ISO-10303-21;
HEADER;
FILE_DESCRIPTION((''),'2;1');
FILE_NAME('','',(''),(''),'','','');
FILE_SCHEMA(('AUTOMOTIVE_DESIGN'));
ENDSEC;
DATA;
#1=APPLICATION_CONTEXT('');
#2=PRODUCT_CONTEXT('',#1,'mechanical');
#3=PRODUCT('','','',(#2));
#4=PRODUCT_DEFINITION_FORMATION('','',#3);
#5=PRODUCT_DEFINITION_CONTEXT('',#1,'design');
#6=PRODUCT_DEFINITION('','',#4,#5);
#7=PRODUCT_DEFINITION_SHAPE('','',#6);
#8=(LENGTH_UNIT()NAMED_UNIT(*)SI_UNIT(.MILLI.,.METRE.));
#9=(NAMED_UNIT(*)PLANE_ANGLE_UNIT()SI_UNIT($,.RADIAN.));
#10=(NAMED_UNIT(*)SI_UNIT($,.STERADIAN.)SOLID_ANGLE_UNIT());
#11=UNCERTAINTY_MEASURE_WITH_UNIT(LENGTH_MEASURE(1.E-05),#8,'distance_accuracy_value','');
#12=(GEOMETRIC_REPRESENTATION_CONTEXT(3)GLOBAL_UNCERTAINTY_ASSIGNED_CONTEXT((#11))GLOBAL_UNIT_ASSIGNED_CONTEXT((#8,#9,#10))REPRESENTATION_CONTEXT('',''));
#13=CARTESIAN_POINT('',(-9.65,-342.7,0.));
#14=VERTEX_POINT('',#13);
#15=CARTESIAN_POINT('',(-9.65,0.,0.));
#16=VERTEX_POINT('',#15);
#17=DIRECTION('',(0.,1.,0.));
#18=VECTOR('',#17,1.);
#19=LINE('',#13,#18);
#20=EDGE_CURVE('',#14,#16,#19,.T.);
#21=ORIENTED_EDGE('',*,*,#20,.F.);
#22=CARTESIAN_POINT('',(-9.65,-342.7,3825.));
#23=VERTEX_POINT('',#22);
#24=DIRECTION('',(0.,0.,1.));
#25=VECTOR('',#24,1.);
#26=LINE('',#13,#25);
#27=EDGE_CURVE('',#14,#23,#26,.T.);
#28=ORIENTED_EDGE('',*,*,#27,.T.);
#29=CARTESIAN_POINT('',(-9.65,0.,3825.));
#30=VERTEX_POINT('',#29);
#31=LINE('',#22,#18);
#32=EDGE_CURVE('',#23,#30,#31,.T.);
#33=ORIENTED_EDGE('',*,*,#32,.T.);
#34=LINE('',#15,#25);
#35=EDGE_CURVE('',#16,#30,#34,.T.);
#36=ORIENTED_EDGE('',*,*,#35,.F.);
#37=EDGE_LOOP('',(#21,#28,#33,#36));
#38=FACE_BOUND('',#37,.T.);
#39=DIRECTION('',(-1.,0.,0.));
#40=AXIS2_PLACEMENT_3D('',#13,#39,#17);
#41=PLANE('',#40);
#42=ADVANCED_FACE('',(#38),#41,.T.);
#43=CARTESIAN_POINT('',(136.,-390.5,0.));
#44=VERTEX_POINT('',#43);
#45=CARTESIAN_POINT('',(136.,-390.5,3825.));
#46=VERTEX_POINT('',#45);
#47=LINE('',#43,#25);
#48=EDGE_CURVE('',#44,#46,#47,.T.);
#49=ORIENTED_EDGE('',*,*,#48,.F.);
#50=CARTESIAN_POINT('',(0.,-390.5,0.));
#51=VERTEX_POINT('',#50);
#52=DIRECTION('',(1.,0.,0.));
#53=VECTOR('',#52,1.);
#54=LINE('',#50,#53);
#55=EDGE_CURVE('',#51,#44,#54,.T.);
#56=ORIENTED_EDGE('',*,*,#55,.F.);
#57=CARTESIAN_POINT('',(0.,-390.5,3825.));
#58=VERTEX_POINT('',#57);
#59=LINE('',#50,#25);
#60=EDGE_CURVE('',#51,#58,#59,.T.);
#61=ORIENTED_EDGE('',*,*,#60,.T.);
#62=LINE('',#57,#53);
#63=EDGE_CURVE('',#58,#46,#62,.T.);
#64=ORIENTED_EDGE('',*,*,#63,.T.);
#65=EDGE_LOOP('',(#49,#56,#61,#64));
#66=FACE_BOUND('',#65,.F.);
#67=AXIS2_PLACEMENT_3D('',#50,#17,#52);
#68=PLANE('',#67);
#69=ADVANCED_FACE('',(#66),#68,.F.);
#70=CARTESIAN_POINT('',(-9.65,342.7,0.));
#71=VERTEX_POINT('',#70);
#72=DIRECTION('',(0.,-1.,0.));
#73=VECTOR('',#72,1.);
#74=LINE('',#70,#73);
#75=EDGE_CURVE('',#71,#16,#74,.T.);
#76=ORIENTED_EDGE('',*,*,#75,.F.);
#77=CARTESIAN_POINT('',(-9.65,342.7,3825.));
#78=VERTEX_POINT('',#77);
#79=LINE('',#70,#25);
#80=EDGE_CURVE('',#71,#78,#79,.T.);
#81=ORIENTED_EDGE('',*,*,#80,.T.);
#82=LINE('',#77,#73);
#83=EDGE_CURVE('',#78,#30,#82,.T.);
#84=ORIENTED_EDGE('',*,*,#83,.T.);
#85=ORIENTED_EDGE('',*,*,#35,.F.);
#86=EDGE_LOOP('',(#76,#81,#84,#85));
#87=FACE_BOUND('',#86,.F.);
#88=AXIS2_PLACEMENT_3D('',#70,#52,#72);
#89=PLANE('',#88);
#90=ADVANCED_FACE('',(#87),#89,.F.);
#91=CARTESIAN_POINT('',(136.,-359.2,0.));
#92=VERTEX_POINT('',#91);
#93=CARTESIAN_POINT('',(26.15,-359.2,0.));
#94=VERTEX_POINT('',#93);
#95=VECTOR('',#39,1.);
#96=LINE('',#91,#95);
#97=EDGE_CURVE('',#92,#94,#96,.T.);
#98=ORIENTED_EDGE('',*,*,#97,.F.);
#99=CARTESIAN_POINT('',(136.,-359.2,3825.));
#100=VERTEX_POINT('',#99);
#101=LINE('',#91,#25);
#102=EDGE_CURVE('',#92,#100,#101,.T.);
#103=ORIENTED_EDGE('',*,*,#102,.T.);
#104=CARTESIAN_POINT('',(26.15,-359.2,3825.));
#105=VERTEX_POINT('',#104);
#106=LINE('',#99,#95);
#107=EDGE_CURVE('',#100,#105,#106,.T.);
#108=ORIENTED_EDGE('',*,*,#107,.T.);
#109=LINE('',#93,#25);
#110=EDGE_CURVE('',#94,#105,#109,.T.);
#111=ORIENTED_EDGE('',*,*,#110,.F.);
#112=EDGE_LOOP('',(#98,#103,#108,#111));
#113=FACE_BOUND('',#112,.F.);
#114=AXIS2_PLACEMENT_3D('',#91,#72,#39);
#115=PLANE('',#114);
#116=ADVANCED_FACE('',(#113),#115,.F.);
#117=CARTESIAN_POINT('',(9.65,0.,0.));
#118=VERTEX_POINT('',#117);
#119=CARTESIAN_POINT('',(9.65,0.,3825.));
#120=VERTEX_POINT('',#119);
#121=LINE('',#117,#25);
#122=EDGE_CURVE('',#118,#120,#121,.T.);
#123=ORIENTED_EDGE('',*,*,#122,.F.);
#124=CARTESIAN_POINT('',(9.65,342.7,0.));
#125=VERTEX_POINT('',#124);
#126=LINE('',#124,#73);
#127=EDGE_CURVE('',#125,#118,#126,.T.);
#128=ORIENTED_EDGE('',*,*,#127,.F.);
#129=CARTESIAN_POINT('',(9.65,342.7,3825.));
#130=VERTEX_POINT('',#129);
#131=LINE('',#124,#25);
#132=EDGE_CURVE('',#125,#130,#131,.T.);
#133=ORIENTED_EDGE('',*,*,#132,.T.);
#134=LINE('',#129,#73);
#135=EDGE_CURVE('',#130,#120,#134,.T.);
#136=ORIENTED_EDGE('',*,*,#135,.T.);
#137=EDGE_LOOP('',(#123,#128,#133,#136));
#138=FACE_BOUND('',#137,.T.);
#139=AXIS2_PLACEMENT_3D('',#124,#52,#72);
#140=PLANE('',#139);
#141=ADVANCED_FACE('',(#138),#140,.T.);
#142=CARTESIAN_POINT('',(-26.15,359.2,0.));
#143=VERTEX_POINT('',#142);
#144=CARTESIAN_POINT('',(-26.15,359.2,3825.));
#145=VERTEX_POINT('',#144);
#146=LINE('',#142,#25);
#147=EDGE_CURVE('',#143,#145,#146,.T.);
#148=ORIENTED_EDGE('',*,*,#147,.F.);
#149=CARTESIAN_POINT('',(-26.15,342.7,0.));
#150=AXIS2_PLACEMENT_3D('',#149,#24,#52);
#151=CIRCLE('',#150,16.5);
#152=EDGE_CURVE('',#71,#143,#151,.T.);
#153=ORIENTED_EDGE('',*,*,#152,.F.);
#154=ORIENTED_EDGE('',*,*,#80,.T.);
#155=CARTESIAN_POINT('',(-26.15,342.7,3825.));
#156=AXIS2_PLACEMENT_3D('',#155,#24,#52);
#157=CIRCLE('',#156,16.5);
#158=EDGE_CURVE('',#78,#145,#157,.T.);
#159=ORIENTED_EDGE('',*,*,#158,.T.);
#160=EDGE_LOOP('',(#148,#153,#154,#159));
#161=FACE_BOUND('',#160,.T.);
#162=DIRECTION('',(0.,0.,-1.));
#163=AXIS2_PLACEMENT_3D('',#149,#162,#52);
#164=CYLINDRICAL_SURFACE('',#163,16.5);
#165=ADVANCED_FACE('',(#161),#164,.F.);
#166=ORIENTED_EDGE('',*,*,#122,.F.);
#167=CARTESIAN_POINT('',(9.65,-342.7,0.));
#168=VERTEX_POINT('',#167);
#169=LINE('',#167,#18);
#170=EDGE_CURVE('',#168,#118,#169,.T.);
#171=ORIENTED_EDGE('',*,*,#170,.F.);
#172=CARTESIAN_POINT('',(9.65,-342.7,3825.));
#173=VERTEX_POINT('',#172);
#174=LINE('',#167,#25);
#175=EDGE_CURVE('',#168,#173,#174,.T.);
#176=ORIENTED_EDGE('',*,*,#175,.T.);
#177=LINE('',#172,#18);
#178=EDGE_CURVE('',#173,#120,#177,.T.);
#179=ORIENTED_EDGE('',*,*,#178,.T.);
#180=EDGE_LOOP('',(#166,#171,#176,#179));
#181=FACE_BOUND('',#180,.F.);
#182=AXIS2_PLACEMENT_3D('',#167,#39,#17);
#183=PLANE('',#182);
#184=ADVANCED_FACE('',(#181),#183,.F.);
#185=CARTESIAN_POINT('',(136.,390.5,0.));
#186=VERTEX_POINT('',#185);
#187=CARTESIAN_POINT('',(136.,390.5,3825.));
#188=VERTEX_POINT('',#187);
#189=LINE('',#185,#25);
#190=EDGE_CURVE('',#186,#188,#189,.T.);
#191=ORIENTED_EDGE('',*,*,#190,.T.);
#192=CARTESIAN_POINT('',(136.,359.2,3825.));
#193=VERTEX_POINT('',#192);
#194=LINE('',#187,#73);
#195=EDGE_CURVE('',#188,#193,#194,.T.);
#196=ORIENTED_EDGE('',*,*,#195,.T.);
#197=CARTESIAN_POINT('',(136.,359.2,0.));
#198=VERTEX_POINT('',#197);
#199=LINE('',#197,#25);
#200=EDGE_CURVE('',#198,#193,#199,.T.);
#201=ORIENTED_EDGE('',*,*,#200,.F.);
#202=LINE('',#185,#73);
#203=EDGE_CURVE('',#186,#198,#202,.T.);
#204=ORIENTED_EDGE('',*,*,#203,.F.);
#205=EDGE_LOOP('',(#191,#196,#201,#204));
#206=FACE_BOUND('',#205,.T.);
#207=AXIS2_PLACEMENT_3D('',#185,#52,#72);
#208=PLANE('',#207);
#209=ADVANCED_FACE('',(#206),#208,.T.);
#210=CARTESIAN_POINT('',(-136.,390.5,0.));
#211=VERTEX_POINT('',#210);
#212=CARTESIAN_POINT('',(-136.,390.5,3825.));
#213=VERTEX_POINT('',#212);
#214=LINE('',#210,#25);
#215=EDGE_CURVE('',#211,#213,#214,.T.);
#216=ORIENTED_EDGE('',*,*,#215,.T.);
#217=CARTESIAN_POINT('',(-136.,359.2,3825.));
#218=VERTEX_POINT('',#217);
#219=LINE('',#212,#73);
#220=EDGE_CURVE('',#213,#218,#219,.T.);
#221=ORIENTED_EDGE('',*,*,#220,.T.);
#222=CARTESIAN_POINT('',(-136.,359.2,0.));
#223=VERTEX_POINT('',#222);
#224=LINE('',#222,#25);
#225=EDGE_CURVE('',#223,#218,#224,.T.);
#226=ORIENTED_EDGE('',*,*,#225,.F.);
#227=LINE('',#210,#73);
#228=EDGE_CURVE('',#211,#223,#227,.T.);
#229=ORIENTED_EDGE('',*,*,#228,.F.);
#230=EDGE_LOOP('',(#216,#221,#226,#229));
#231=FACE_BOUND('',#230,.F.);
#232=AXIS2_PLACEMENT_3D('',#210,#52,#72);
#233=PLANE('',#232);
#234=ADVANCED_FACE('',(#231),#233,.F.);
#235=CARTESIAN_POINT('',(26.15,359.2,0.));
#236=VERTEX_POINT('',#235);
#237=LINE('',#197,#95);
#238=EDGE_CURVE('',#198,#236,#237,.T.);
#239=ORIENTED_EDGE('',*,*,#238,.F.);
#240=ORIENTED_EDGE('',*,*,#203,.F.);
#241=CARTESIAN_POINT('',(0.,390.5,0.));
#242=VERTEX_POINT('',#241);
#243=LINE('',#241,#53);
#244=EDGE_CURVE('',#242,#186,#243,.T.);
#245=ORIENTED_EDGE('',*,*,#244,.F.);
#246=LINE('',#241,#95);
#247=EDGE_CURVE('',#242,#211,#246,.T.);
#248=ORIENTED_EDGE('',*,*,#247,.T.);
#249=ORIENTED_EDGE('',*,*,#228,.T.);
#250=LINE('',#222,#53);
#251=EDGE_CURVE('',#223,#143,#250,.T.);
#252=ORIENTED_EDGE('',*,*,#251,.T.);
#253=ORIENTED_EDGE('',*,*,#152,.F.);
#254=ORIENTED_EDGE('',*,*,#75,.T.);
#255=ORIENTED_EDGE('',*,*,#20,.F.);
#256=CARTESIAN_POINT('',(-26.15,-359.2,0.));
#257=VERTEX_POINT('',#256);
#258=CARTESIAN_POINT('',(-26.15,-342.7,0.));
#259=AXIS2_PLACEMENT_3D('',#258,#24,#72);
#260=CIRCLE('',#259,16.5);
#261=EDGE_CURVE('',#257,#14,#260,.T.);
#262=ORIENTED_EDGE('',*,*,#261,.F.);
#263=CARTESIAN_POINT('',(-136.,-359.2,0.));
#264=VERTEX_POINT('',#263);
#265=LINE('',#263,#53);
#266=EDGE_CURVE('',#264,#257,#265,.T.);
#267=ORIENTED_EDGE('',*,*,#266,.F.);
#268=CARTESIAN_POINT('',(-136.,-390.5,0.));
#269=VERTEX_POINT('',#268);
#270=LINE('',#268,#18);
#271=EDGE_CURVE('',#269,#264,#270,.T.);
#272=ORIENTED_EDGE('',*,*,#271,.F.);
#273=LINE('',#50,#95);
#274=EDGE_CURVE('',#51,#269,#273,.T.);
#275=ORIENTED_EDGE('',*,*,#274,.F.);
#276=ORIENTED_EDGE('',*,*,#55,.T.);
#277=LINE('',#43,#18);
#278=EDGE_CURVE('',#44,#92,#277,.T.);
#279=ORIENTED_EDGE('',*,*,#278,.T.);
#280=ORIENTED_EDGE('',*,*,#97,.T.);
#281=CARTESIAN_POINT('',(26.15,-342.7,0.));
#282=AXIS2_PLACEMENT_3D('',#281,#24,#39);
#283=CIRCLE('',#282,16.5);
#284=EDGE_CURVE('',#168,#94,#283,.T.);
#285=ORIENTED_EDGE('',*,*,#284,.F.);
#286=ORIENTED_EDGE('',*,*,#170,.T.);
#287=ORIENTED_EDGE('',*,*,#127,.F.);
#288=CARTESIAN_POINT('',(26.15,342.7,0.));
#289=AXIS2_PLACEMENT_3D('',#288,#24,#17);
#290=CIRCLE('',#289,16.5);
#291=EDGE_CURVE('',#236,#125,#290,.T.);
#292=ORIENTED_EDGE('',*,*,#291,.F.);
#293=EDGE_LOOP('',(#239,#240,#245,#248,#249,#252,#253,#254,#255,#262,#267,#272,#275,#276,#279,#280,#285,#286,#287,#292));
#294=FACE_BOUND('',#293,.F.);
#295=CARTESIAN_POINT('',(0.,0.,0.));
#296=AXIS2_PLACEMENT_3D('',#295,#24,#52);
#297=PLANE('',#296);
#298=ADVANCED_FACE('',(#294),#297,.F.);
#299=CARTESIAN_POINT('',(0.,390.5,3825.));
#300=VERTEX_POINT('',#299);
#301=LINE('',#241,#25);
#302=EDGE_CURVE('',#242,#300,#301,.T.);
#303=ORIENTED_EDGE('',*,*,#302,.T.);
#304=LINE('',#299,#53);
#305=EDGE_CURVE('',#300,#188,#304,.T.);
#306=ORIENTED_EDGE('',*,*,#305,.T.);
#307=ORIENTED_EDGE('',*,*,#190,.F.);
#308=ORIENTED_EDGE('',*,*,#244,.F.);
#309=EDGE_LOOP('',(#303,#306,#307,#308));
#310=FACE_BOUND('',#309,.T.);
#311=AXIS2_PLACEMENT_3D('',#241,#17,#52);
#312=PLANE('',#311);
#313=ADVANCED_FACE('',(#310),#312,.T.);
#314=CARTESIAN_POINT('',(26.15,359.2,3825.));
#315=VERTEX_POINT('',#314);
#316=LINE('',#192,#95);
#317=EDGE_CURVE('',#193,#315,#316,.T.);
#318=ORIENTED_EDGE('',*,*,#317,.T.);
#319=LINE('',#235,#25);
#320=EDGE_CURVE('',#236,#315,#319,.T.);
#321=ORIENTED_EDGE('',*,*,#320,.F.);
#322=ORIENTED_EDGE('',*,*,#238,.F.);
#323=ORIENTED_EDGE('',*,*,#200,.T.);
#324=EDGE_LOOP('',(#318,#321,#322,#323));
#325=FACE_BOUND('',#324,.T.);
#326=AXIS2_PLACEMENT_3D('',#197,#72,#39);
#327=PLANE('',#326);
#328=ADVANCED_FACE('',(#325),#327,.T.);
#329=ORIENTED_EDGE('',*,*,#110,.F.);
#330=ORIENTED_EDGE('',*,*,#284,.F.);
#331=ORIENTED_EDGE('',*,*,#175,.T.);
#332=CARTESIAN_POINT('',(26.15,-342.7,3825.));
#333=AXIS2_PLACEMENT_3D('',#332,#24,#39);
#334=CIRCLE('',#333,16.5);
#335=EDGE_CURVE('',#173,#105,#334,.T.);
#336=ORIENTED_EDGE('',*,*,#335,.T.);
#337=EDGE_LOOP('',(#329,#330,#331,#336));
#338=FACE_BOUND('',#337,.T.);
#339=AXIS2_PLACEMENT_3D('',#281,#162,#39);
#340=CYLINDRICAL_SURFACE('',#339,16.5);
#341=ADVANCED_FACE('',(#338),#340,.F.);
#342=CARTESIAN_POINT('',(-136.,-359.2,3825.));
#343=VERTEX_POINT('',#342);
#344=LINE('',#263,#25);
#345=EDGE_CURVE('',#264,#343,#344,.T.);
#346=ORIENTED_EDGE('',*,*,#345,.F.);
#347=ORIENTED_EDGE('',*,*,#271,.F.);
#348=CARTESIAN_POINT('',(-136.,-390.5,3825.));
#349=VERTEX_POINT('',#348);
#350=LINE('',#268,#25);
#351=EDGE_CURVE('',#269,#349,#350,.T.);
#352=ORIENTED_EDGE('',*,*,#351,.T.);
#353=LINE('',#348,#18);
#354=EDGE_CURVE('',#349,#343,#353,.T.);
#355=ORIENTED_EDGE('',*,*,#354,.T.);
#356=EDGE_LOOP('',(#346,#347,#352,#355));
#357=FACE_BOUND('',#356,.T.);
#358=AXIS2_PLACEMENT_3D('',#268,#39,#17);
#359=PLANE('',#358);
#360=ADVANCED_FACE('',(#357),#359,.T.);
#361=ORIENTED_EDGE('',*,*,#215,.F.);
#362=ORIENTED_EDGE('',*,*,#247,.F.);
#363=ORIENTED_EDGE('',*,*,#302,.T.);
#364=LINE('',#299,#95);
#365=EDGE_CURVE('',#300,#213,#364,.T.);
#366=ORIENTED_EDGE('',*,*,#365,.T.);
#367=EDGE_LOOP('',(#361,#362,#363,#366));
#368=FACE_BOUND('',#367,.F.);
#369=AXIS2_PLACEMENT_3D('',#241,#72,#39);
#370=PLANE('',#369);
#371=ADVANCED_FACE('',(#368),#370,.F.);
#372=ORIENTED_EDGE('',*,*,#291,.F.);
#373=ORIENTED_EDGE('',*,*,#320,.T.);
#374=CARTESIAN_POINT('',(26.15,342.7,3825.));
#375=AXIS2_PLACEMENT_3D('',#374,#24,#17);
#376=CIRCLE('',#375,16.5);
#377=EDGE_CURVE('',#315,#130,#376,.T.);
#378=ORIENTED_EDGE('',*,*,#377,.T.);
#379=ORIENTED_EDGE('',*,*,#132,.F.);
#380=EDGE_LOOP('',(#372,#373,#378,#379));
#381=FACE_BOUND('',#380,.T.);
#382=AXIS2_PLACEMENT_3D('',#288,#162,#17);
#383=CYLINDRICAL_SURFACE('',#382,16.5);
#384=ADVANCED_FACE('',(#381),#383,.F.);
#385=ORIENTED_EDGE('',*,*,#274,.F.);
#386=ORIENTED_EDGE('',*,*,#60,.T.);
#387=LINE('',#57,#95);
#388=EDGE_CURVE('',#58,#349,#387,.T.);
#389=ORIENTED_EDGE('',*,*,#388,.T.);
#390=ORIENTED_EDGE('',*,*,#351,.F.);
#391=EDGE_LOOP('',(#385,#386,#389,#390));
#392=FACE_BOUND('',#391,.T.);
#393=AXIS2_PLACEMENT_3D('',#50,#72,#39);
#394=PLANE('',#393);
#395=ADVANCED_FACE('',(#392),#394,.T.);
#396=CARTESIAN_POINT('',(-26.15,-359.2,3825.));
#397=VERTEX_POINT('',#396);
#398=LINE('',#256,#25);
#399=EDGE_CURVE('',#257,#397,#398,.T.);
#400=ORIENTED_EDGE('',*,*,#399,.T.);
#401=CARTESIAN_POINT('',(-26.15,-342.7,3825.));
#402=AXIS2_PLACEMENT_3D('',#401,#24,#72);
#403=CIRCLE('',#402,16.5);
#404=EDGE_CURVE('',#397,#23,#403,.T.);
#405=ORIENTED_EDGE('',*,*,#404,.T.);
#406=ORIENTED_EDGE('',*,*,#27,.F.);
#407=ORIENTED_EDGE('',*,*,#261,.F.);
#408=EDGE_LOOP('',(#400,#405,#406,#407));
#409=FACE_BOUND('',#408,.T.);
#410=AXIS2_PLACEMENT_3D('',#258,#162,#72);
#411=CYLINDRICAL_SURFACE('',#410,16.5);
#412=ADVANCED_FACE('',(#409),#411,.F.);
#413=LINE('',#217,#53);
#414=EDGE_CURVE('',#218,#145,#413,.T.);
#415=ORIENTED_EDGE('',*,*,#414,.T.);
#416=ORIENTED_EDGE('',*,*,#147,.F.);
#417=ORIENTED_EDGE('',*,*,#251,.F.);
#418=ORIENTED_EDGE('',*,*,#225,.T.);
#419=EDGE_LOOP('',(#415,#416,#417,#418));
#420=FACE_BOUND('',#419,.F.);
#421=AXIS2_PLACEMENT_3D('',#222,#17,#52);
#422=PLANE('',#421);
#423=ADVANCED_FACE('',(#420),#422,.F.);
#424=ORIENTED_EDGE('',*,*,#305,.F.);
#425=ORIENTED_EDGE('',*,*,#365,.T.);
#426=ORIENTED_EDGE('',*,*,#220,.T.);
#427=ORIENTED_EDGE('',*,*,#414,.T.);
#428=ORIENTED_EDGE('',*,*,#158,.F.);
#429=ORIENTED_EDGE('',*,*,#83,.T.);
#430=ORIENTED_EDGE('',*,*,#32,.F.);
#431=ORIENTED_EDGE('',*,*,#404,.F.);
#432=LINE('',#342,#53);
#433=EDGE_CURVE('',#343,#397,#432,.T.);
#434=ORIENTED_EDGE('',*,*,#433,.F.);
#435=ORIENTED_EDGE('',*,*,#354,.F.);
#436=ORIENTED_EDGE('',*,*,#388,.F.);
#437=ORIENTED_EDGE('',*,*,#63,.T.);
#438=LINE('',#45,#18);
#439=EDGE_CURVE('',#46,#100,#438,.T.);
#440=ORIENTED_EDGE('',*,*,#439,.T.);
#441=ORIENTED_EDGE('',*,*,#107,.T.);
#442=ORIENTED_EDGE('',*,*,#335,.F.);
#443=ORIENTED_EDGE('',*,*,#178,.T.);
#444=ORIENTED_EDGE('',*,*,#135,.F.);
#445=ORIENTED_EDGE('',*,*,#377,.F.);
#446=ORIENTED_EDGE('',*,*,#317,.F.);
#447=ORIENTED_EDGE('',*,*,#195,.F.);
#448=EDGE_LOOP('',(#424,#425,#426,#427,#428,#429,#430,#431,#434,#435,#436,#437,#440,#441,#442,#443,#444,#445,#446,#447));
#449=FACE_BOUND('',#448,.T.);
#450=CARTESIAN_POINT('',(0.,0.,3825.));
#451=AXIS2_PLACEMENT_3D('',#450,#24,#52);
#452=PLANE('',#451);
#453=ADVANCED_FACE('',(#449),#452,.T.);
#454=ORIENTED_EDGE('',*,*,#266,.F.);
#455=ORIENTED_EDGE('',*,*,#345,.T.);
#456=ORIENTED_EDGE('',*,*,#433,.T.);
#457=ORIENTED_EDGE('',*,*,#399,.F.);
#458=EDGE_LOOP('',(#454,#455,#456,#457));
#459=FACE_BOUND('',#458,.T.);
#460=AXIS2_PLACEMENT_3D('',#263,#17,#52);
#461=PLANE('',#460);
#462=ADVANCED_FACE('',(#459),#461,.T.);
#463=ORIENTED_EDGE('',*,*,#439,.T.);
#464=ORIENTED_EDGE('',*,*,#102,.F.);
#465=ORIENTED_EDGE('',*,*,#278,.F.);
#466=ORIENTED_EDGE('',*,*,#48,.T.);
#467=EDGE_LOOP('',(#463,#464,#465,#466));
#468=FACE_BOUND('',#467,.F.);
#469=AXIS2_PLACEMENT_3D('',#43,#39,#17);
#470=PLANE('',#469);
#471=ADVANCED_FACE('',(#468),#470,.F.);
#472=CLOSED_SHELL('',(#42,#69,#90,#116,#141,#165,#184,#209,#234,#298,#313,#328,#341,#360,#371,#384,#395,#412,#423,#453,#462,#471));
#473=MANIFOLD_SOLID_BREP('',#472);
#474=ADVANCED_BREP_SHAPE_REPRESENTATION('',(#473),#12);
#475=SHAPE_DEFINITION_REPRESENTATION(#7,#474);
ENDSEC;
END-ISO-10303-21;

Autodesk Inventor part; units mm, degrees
ref_plane "YZ Plane" through (0, 0, 0) normal (1, 0, 0) x (0, 1, 0)
ref_plane "Start plane" through (0, 0, 0) normal (0, 0, 1) x (1, 0, 0)
ref_plane "End plane" through (0, 0, 3825) normal (0, 0, 1) x (1, 0, 0)
sketch "Sketch" plane through (0, 0, 0) normal (0, 0, 1) x (1, 0, 0)
  line L0 (-136, -390.5) -> (-136, -359.2)
  line L1 (-136, -359.2) -> (-26.15, -359.2)
  line L2 (-9.65, -342.7) -> (-9.65, 0)
  line L3 (-9.65, 0) -> (0, 0) construction
  line L4 (0, 0) -> (0, -390.5) construction
  line L5 (0, -390.5) -> (-136, -390.5)
  line L6 (-60, 0) -> (80, 0) construction
  line L7 (0, -60) -> (0, 80) construction
  line L8 (136, -390.5) -> (136, -359.2)
  line L9 (136, -359.2) -> (26.15, -359.2)
  line L10 (9.65, -342.7) -> (9.65, 0)
  line L11 (9.65, 0) -> (0, 0) construction
  line L12 (0, -390.5) -> (136, -390.5)
  line L13 (-136, 390.5) -> (-136, 359.2)
  line L14 (-136, 359.2) -> (-26.15, 359.2)
  line L15 (-9.65, 342.7) -> (-9.65, 0)
  line L16 (0, 390.5) -> (-136, 390.5)
  line L17 (136, 390.5) -> (136, 359.2)
  line L18 (136, 359.2) -> (26.15, 359.2)
  line L19 (0, 390.5) -> (136, 390.5)
  line L20 (9.65, 342.7) -> (9.65, 0)
  arc A0 (-9.65, 342.7) -> (-26.15, 359.2) centre (-26.15, 342.7) ccw
  arc A1 (26.15, 359.2) -> (9.65, 342.7) centre (26.15, 342.7) ccw
  arc A2 (9.65, -342.7) -> (26.15, -359.2) centre (26.15, -342.7) ccw
  arc A3 (-26.15, -359.2) -> (-9.65, -342.7) centre (-26.15, -342.7) ccw
  line L21 (0, 108) -> (0, -88) construction
  line L22 (-88, 0) -> (108, 0) construction
  point P0 (-9.65, -359.2)
  point P1 (9.65, -359.2)
  point P2 (-9.65, 359.2)
  point P3 (9.65, 359.2)
  dimension "d1" = 390.5
  dimension "d2" = 31.3
  dimension "d3" = 136
  dimension "d4" = 9.65
  dimension "d10" = 16.5
extrude "Body" add sketch "Sketch" along normal up to surface (3825 mm away) from surface at 0
sketch "Sketch4" plane through (0, 0, 0) normal (0, 0, 1) x (1, 0, 0)
  line L0 (0, 0) -> (10, 0)
ref_plane "Work Plane3" through (0, 0, 0) normal (0, -1, 0) x (1, 0, 0)
sketch "Sketch5" plane through (0, 0, 0) normal (0, -1, 0) x (1, 0, 0)
  line L0 (-2, 0) -> (12, 0) projected
  line L1 (-2, 3825) -> (12, 3825) projected
  dimension "d14" = 3825
equation "\"d1\" = 0.5 * G_H"
equation "\"d2\" = G_T1"
equation "\"d3\" = 0.5 * G_W"
equation "\"d4\" = 0.5 * G_T"
equation "\"d10\" = G_IR"
equation "\"d5\" = G_L"
equation "\"G_W\" = 272"
equation "\"G_H\" = 781"
equation "\"G_T\" = 19.3"
equation "\"G_T1\" = 31.3"
equation "\"G_IR\" = 16.5"
equation "\"G_L\" = d14"
equation "\"G_OFFSET_START\" = 0"
equation "\"G_OFFSET_END\" = 0"
equation "\"d12\" = G_OFFSET_END + B_L"
equation "\"B_L\" = 3825"
properties part number "AS 3679-1990 - 760 UB - 244 - 3825" material "Steel, Mild"
